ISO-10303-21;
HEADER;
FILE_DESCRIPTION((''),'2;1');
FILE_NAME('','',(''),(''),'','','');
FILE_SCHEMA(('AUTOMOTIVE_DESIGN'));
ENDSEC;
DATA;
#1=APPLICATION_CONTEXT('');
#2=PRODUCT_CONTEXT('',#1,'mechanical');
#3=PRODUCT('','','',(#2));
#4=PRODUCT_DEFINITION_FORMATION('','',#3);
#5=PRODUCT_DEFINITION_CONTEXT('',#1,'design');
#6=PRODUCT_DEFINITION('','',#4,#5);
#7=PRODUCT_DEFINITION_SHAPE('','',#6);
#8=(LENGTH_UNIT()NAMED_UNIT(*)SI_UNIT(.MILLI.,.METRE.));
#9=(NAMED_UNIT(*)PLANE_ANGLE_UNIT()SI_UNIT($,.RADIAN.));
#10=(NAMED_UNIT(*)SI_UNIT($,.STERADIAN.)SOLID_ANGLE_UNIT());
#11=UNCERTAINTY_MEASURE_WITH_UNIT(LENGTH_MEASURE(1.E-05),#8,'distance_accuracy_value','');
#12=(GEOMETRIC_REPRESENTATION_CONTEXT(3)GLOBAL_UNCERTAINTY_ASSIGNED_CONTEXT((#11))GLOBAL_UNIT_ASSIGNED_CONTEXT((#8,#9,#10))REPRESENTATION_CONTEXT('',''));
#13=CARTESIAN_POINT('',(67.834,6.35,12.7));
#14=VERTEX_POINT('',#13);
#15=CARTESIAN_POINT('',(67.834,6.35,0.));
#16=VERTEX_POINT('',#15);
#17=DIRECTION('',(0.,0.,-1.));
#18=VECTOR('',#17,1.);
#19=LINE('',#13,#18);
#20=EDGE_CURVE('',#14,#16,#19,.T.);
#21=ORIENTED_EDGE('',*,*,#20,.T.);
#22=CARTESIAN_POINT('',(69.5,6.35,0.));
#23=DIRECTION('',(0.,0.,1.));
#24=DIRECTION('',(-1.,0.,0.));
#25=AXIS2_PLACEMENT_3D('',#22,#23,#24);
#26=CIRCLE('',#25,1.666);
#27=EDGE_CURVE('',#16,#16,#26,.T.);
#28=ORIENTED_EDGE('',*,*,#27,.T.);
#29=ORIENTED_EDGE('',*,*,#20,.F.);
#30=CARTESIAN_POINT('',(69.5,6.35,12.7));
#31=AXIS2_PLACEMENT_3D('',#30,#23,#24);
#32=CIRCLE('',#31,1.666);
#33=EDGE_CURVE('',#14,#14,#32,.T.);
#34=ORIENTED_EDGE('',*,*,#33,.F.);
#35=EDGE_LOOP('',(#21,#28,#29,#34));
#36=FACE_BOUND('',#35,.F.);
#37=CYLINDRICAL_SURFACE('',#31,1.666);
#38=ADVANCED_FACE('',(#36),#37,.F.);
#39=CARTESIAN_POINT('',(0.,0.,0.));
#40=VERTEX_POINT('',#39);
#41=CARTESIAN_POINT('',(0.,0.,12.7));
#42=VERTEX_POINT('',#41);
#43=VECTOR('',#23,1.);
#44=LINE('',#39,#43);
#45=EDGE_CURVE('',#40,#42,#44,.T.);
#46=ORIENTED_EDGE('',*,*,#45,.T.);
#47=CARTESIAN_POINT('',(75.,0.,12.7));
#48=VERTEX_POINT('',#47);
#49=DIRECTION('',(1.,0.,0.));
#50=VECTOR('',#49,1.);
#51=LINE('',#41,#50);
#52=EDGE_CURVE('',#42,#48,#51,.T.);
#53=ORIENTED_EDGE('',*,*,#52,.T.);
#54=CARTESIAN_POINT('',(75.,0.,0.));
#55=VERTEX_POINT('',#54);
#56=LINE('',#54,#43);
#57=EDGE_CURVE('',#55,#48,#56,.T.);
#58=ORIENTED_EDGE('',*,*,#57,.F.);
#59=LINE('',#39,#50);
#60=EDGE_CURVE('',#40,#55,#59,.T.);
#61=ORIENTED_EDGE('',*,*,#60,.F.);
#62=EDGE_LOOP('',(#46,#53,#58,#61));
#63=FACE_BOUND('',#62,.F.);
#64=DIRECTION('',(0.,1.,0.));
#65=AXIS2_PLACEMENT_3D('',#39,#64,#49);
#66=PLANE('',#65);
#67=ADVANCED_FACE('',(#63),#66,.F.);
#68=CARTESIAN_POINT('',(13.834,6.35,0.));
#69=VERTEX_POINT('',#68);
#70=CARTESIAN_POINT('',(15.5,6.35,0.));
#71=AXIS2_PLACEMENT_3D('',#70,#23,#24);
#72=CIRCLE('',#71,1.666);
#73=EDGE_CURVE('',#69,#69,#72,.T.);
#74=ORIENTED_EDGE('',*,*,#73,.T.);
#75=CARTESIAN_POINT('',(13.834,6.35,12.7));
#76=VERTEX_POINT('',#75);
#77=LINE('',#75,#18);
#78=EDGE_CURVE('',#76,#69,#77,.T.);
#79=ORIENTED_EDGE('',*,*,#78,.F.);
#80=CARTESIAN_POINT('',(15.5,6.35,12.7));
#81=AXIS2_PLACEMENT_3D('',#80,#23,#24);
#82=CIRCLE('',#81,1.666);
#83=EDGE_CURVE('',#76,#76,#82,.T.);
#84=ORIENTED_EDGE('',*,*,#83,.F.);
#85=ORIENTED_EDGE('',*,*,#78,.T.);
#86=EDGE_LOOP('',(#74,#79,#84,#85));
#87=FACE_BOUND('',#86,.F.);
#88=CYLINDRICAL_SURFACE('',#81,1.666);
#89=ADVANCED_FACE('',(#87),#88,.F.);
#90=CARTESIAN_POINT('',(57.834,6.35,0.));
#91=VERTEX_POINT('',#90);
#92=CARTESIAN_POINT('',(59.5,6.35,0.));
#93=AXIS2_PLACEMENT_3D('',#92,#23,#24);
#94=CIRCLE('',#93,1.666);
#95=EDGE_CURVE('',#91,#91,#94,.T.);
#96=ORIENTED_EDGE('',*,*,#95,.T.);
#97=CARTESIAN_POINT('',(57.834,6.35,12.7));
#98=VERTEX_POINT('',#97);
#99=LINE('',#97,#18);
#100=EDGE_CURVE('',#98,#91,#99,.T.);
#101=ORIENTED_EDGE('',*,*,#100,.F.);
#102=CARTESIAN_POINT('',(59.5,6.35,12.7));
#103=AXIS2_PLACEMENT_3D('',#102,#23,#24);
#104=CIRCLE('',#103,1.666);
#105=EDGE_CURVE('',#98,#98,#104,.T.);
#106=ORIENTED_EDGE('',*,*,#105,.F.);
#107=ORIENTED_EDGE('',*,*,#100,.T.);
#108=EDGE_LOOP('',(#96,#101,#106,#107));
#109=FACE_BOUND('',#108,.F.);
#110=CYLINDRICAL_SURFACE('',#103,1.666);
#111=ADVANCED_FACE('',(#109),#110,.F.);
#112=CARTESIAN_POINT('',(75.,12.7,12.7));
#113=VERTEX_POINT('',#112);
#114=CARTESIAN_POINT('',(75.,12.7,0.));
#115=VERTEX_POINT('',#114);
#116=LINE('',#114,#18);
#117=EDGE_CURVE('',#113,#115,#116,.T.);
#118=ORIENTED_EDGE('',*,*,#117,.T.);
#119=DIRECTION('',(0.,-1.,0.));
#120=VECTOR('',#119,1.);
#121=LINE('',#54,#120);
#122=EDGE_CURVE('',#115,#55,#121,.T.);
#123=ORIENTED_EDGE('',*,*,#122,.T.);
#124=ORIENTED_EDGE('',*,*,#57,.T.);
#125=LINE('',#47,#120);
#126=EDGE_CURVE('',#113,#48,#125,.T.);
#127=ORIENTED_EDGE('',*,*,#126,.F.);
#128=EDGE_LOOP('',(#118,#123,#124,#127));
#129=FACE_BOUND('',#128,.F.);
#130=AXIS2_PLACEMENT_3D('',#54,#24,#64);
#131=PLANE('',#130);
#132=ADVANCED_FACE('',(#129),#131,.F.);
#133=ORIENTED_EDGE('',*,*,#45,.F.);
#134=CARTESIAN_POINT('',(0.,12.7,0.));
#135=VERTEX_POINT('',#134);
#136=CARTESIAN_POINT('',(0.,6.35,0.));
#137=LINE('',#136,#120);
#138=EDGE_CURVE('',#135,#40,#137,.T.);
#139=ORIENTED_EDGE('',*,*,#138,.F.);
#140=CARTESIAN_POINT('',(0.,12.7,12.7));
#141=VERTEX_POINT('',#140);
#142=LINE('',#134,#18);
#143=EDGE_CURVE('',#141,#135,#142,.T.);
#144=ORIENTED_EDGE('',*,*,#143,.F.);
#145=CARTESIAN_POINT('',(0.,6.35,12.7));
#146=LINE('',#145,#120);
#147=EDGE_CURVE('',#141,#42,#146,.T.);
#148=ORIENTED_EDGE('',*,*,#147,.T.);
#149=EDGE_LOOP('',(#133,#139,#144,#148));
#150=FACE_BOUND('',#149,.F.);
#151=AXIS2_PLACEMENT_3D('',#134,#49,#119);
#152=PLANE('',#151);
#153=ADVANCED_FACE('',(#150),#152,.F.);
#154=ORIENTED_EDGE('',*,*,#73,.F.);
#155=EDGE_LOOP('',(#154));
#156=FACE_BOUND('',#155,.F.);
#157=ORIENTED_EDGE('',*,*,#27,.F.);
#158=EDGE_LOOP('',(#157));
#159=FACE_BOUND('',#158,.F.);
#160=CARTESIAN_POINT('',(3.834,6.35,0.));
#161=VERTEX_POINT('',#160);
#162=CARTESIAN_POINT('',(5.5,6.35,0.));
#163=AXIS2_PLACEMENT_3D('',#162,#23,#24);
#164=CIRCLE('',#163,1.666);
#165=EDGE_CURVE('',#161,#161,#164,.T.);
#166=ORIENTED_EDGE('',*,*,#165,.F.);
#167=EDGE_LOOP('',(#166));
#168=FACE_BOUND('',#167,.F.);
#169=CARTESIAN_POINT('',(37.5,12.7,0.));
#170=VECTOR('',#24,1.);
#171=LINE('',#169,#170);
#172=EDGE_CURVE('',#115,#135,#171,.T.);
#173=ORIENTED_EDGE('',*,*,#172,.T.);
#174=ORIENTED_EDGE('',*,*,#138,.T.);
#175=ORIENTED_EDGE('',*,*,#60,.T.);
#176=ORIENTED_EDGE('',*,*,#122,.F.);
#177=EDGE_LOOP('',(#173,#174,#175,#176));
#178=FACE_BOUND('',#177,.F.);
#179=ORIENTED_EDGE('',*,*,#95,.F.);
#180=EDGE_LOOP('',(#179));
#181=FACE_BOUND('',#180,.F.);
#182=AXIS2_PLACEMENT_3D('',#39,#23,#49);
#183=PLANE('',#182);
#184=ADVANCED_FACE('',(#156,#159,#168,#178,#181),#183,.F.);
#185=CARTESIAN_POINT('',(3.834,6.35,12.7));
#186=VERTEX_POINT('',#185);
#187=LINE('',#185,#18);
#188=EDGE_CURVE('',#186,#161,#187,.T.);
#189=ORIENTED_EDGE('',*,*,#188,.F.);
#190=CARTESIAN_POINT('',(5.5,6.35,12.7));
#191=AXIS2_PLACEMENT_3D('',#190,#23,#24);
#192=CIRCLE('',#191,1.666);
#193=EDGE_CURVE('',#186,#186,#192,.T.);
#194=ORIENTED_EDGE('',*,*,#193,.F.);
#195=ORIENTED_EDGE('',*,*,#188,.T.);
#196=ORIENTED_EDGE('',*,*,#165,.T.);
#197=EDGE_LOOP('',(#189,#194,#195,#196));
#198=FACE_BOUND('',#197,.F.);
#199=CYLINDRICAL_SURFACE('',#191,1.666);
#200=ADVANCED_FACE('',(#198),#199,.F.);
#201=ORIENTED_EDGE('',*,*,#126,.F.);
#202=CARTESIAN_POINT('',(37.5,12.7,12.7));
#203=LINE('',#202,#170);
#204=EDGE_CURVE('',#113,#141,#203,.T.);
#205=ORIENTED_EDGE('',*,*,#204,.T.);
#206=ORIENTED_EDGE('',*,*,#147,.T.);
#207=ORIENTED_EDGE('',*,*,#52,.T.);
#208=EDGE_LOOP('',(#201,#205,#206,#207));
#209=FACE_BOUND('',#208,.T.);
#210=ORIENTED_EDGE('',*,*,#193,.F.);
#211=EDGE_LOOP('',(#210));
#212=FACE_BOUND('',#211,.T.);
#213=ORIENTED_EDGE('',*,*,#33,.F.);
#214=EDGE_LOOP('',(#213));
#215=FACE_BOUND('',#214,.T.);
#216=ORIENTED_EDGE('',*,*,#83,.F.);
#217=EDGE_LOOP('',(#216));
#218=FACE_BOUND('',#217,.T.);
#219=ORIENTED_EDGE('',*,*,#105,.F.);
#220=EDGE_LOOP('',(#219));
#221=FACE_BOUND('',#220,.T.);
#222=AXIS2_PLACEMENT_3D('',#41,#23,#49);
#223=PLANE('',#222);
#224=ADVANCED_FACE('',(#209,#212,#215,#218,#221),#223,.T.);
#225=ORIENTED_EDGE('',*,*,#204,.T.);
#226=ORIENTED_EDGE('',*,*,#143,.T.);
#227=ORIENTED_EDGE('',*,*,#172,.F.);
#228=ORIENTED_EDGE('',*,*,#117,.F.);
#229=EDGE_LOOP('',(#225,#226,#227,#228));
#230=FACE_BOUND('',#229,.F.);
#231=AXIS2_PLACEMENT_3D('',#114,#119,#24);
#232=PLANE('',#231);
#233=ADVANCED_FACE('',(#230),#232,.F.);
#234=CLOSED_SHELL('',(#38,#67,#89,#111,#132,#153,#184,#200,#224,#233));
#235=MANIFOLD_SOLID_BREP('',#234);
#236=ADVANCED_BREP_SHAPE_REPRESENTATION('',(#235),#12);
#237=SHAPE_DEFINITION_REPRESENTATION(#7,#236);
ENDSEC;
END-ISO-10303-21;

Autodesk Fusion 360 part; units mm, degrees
sketch "Sketch1" plane through (0, 0, 0) normal (0, 0, 1) x (1, 0, 0)
  line L0 (0, 0) -> (75, 0)
  line L1 (75, 0) -> (75, 12.7)
  line L2 (75, 12.7) -> (0, 12.7)
  line L3 (0, 12.7) -> (0, 0)
  dimension "d1" = 75
  dimension "d2" = 12.7
extrude "Extrude1" add sketch "Sketch1" along normal blind 12.7
sketch "Sketch2" plane through (0, 0, 12.7) normal (0, 0, 1) x (-1, 0, 0)
  line L0 (0, -12.7) -> (0, 0)
  line L1 (0, 0) -> (-75, 0)
  line L2 (-75, 0) -> (-75, -12.7)
  line L3 (-75, -12.7) -> (0, -12.7)
  circle A0 centre (-5.5, -6.35) radius 2
  circle A1 centre (-15.5, -6.35) radius 2
  circle A2 centre (-69.5, -6.35) radius 2
  circle A3 centre (-59.5, -6.35) radius 2
  line L4 (-5.5, -6.35) -> (0, -6.35)
  line L5 (-69.5, -6.35) -> (-75, -6.35)
  dimension "d5" = 4
  dimension "d6" = 4
  dimension "d7" = 10
  dimension "d8" = 4
  dimension "d9" = 4
  dimension "d10" = 10
  dimension "d11" = 44
  dimension "d12" = 64
extrude "Extrude2" cut sketch "Sketch2" against normal blind 17.78 contours A0 | A1 | A2 | A3
thread "Thread1" "ISO Metric profile 4.0 M4x0.7 6H" major diameter 4.1095 minor diameter 3.332 pitch 0.7 angle 60 resizes the face on face at (70.8965, 7.7817, 8.4667) on face at (57.5099, 6.5492, 4.2333) on face at (13.5099, 6.5491, 4.2333) on face at (3.5099, 6.5491, 4.2333)
